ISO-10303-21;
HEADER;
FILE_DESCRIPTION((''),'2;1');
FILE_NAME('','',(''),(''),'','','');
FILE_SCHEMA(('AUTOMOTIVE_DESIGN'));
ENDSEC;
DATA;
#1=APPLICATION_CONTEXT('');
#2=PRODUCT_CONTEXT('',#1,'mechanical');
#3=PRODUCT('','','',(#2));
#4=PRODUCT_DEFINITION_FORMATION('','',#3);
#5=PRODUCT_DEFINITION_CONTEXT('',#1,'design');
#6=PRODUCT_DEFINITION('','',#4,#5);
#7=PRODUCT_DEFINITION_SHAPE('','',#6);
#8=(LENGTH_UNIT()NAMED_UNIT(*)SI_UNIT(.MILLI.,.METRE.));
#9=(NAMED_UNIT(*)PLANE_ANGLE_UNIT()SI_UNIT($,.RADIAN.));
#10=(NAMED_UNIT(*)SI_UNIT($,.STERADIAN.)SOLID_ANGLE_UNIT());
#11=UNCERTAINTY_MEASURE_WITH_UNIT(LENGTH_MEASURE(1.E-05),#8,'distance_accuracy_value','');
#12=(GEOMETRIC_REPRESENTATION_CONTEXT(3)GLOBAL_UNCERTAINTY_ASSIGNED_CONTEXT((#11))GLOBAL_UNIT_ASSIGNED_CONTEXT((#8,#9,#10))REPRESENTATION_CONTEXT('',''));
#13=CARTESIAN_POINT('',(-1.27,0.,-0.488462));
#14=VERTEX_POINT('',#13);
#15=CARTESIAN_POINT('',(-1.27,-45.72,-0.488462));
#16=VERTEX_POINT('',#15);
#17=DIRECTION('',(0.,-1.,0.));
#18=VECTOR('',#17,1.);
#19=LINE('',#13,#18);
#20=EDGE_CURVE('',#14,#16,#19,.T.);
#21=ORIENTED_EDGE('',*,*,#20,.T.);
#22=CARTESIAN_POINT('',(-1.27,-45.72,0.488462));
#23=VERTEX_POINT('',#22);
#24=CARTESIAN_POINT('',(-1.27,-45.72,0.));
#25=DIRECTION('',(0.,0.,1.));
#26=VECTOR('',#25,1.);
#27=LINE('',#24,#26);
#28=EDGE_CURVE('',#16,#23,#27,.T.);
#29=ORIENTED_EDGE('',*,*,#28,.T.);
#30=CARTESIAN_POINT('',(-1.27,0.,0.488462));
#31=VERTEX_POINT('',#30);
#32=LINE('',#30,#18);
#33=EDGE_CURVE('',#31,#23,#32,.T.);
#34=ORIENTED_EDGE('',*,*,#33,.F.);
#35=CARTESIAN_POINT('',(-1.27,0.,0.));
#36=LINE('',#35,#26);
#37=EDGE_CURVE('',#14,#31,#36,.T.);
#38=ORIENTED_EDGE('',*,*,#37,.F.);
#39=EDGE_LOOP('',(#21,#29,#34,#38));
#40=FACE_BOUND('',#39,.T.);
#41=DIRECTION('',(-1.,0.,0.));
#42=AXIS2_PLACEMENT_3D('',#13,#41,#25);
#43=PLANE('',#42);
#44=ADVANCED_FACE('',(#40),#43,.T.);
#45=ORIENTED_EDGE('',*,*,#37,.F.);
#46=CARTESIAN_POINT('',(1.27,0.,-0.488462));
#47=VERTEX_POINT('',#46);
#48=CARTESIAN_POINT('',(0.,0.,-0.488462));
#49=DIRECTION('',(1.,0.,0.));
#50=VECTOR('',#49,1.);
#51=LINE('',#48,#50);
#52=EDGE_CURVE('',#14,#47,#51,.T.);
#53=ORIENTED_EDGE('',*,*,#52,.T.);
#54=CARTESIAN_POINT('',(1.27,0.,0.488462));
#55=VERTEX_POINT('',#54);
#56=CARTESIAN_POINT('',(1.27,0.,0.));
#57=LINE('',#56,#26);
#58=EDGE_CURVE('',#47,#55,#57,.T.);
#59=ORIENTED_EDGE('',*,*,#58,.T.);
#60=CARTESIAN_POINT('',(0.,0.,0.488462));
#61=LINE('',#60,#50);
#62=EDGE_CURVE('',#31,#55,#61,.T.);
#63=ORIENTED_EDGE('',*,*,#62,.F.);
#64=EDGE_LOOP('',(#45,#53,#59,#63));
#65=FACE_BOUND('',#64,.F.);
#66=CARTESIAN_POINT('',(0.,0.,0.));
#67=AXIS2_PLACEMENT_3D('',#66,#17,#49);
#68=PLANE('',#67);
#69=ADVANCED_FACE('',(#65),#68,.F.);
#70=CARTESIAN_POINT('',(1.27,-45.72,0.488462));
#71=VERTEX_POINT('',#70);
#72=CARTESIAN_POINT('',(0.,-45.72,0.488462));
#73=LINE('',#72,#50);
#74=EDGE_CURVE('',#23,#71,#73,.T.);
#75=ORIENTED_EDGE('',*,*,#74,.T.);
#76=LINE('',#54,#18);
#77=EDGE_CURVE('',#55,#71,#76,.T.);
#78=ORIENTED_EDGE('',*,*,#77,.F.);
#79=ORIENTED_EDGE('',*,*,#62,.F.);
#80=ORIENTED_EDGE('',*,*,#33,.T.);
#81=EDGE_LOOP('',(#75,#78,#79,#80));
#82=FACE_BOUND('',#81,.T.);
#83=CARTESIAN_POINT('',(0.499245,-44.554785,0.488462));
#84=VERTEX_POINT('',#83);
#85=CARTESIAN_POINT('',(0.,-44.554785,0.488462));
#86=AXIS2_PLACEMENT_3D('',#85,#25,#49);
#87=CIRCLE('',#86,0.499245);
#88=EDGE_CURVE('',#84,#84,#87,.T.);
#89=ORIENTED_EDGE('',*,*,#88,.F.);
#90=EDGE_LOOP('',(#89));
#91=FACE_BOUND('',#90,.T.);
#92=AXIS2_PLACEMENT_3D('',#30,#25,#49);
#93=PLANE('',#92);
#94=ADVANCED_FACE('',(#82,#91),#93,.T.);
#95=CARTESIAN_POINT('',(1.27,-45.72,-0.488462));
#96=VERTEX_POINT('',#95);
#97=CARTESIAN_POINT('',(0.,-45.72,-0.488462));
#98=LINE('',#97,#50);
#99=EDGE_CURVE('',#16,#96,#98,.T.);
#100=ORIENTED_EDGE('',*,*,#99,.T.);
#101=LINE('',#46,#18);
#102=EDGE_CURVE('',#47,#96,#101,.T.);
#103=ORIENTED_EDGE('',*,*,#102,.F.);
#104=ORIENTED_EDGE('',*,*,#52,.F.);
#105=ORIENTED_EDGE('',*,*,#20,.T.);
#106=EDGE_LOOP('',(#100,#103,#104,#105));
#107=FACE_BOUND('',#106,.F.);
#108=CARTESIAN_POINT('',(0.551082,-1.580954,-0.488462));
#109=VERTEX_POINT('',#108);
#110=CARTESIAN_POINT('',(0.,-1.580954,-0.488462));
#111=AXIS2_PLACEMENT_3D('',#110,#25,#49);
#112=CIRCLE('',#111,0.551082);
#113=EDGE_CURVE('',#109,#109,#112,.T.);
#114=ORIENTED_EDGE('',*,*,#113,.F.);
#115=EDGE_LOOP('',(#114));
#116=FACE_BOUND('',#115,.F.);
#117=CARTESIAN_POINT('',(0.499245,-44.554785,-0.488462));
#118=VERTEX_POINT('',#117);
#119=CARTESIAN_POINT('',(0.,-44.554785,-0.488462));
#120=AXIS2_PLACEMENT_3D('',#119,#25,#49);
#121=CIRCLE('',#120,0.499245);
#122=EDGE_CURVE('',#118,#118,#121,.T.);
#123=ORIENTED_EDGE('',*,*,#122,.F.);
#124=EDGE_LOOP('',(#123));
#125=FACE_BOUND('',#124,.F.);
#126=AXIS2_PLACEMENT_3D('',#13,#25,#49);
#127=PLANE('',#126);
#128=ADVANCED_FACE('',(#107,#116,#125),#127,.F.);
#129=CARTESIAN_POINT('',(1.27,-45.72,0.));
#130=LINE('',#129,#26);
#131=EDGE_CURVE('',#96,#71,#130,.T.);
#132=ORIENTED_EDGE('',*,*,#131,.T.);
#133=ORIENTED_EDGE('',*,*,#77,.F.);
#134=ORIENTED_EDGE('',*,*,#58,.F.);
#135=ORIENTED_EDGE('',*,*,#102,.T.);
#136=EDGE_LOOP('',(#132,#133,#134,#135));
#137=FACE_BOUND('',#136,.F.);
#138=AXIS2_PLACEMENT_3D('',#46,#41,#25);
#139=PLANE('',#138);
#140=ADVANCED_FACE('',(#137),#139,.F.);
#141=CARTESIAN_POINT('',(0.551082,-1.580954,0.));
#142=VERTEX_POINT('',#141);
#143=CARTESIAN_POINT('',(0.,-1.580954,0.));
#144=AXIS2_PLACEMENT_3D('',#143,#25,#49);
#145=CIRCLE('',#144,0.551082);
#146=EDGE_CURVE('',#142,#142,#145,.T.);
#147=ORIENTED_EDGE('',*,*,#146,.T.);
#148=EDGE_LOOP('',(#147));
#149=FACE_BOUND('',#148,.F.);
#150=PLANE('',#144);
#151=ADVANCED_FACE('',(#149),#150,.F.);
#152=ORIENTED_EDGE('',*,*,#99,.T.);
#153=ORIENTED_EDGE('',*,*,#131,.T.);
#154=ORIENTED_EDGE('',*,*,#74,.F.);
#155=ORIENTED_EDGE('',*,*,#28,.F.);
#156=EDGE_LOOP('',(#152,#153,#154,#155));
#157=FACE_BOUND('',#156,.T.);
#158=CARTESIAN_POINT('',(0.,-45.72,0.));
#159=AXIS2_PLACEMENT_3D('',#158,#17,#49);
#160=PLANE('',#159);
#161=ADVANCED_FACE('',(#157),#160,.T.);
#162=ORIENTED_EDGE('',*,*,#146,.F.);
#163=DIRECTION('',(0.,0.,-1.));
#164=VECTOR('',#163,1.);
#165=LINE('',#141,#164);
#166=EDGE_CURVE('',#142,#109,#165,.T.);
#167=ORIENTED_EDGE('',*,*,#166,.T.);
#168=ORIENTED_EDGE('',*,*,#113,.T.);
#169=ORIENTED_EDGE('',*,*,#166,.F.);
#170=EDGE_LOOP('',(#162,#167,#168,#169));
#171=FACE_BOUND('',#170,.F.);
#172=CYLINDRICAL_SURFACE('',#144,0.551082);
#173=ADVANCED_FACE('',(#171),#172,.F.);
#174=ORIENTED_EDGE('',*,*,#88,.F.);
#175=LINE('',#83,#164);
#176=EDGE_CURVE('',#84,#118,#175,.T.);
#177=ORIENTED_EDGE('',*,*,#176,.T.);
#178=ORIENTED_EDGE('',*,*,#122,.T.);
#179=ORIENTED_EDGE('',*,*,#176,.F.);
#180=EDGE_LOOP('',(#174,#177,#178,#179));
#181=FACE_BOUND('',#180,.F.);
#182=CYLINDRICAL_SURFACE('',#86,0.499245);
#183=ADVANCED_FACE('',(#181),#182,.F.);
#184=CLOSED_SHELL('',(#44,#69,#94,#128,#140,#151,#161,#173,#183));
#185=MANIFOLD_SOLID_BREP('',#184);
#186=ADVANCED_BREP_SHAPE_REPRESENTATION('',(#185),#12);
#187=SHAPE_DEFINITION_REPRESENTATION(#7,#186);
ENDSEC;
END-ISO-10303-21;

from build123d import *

# Parameters (mm, degrees)
F0_W     = 2.54
F0_H     = 0.976924
F1_DEPTH = 45.72
F2_R     = 0.499245
F3_DEPTH = 25.4
F4_R     = 0.551082
F5_DEPTH = 50.8


with BuildPart() as f1:
    # F0 (on Front) → F1 (new body)
    with BuildSketch(Plane.XZ):
        Rectangle(F0_W, F0_H)
    extrude(amount=F1_DEPTH)

    # F2 (on face) → F3 (cut)
    with BuildSketch(Plane.XY.offset(0.488462)):
        with Locations((0, -44.554785)):
            Circle(F2_R)
    extrude(amount=-F3_DEPTH, mode=Mode.SUBTRACT)

    # F4 (on Top) → F5 (cut)
    with BuildSketch(Plane.XY):
        with Locations((0, -1.580954)):
            Circle(F4_R)
    extrude(amount=-F5_DEPTH, mode=Mode.SUBTRACT)


solid = f1.part
